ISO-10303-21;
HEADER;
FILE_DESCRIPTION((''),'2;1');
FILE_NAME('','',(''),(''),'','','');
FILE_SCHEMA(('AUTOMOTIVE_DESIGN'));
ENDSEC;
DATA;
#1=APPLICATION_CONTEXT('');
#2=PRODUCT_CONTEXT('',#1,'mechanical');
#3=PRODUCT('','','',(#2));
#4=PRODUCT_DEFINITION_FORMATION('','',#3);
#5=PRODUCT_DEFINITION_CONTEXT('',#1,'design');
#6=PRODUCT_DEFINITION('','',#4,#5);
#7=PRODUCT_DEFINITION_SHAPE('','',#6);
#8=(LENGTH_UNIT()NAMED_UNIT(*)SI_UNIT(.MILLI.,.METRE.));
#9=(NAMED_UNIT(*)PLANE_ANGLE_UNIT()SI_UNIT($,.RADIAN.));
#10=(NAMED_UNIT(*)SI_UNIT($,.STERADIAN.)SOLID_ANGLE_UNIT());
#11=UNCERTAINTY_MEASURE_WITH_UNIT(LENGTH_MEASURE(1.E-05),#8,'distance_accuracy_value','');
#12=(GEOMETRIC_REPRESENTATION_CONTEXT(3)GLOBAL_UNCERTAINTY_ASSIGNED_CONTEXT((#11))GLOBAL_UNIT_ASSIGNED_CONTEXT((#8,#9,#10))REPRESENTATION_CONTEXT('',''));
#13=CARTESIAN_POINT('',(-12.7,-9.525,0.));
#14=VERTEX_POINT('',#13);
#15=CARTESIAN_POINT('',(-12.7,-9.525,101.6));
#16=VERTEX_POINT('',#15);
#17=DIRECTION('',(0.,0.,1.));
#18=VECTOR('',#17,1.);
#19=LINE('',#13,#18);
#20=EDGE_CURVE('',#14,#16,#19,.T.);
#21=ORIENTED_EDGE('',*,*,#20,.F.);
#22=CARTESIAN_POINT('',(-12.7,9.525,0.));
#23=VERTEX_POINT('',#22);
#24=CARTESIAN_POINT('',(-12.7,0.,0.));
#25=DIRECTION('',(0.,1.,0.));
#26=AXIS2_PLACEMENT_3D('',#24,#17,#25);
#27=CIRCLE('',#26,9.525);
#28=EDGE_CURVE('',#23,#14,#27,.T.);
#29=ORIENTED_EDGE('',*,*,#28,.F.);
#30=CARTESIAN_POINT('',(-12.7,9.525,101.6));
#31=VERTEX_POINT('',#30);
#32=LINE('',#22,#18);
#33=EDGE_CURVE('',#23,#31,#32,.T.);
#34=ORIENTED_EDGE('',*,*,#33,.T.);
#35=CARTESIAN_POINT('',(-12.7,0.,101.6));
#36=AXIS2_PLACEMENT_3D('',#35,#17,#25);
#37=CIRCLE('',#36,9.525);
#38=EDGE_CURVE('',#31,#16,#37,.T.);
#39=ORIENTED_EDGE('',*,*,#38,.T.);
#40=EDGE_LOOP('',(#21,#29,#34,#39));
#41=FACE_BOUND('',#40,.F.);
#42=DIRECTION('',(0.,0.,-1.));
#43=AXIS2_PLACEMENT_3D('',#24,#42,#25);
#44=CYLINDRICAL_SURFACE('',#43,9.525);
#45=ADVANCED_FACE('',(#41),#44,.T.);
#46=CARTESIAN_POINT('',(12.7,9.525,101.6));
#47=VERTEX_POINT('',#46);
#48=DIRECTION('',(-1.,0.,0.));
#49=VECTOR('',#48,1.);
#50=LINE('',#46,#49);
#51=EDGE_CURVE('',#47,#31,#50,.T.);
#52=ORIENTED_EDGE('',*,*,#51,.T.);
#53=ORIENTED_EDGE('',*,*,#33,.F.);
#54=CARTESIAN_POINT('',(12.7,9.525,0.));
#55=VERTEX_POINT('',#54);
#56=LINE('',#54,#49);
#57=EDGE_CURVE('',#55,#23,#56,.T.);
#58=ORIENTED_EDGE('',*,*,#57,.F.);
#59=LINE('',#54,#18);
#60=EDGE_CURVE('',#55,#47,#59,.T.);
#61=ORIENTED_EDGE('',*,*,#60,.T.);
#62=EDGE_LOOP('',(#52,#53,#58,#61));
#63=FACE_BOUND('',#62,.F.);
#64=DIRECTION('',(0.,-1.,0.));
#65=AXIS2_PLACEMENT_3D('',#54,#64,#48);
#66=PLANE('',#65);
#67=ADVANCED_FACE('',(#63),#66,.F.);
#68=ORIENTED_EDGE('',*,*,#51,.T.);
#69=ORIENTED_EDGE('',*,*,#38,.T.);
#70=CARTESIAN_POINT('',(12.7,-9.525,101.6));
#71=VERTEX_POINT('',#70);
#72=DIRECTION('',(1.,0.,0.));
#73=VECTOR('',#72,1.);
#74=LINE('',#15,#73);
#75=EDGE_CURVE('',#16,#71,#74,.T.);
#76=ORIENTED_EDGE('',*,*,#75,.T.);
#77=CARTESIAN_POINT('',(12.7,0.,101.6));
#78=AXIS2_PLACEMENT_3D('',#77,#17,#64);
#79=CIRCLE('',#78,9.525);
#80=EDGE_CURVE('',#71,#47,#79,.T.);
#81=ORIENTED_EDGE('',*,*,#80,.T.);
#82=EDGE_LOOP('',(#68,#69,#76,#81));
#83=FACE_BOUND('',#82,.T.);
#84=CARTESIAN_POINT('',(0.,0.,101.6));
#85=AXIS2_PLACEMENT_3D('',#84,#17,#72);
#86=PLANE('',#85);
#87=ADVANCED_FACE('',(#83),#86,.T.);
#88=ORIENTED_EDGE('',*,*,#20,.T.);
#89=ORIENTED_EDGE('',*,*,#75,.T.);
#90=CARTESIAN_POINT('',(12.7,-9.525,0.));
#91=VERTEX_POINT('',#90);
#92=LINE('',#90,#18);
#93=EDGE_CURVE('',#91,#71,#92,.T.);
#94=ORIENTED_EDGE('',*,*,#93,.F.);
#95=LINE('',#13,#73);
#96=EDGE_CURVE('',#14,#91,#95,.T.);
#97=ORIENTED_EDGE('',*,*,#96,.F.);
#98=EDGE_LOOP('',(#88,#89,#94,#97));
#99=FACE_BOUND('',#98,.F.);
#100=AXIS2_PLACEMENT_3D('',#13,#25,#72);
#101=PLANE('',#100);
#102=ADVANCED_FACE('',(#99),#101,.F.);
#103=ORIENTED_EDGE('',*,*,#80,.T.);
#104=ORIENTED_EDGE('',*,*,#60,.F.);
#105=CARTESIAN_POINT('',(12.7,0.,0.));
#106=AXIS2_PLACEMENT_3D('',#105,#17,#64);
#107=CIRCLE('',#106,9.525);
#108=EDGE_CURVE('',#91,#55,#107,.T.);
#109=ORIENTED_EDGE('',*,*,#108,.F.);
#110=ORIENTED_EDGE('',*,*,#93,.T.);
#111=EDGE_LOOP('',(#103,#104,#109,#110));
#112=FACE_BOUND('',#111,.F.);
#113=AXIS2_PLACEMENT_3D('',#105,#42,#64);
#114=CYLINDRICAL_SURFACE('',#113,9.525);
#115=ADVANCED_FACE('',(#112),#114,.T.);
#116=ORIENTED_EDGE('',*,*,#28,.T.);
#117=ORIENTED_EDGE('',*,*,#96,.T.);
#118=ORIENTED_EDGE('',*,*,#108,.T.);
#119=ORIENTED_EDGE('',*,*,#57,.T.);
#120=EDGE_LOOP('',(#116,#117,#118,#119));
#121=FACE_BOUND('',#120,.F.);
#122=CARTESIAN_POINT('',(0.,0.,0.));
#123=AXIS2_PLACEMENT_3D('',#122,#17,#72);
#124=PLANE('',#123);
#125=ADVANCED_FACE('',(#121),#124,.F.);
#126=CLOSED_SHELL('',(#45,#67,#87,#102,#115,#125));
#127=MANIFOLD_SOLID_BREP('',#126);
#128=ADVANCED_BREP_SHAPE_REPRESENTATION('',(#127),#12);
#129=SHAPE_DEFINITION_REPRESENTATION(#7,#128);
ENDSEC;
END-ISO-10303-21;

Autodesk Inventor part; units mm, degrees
ref_plane "YZ Plane" through (0, 0, 0) normal (1, 0, 0) x (0, 1, 0)
ref_plane "XZ Plane" through (0, 0, 0) normal (0, 1, 0) x (-1, 0, 0)
ref_plane "XY Plane" through (0, 0, 0) normal (0, 0, 1) x (1, 0, 0)
sketch "Sketch1" plane through (0, 0, 0) normal (0, 0, 1) x (1, 0, 0)
  line L0 (-12.7, 0) -> (12.7, 0) construction
  line L1 (-12.7, -9.525) -> (12.7, -9.525)
  line L2 (12.7, 9.525) -> (-12.7, 9.525)
  arc A0 (-12.7, 9.525) -> (-12.7, -9.525) centre (-12.7, 0) ccw
  arc A1 (12.7, -9.525) -> (12.7, 9.525) centre (12.7, 0) ccw
  point P0 (0, 0)
  dimension "d0" = 19.05
  dimension "d1" = 25.4
extrude "Extrusion1" add sketch "Sketch1" along normal blind 101.6
properties part number "mockbattery"
